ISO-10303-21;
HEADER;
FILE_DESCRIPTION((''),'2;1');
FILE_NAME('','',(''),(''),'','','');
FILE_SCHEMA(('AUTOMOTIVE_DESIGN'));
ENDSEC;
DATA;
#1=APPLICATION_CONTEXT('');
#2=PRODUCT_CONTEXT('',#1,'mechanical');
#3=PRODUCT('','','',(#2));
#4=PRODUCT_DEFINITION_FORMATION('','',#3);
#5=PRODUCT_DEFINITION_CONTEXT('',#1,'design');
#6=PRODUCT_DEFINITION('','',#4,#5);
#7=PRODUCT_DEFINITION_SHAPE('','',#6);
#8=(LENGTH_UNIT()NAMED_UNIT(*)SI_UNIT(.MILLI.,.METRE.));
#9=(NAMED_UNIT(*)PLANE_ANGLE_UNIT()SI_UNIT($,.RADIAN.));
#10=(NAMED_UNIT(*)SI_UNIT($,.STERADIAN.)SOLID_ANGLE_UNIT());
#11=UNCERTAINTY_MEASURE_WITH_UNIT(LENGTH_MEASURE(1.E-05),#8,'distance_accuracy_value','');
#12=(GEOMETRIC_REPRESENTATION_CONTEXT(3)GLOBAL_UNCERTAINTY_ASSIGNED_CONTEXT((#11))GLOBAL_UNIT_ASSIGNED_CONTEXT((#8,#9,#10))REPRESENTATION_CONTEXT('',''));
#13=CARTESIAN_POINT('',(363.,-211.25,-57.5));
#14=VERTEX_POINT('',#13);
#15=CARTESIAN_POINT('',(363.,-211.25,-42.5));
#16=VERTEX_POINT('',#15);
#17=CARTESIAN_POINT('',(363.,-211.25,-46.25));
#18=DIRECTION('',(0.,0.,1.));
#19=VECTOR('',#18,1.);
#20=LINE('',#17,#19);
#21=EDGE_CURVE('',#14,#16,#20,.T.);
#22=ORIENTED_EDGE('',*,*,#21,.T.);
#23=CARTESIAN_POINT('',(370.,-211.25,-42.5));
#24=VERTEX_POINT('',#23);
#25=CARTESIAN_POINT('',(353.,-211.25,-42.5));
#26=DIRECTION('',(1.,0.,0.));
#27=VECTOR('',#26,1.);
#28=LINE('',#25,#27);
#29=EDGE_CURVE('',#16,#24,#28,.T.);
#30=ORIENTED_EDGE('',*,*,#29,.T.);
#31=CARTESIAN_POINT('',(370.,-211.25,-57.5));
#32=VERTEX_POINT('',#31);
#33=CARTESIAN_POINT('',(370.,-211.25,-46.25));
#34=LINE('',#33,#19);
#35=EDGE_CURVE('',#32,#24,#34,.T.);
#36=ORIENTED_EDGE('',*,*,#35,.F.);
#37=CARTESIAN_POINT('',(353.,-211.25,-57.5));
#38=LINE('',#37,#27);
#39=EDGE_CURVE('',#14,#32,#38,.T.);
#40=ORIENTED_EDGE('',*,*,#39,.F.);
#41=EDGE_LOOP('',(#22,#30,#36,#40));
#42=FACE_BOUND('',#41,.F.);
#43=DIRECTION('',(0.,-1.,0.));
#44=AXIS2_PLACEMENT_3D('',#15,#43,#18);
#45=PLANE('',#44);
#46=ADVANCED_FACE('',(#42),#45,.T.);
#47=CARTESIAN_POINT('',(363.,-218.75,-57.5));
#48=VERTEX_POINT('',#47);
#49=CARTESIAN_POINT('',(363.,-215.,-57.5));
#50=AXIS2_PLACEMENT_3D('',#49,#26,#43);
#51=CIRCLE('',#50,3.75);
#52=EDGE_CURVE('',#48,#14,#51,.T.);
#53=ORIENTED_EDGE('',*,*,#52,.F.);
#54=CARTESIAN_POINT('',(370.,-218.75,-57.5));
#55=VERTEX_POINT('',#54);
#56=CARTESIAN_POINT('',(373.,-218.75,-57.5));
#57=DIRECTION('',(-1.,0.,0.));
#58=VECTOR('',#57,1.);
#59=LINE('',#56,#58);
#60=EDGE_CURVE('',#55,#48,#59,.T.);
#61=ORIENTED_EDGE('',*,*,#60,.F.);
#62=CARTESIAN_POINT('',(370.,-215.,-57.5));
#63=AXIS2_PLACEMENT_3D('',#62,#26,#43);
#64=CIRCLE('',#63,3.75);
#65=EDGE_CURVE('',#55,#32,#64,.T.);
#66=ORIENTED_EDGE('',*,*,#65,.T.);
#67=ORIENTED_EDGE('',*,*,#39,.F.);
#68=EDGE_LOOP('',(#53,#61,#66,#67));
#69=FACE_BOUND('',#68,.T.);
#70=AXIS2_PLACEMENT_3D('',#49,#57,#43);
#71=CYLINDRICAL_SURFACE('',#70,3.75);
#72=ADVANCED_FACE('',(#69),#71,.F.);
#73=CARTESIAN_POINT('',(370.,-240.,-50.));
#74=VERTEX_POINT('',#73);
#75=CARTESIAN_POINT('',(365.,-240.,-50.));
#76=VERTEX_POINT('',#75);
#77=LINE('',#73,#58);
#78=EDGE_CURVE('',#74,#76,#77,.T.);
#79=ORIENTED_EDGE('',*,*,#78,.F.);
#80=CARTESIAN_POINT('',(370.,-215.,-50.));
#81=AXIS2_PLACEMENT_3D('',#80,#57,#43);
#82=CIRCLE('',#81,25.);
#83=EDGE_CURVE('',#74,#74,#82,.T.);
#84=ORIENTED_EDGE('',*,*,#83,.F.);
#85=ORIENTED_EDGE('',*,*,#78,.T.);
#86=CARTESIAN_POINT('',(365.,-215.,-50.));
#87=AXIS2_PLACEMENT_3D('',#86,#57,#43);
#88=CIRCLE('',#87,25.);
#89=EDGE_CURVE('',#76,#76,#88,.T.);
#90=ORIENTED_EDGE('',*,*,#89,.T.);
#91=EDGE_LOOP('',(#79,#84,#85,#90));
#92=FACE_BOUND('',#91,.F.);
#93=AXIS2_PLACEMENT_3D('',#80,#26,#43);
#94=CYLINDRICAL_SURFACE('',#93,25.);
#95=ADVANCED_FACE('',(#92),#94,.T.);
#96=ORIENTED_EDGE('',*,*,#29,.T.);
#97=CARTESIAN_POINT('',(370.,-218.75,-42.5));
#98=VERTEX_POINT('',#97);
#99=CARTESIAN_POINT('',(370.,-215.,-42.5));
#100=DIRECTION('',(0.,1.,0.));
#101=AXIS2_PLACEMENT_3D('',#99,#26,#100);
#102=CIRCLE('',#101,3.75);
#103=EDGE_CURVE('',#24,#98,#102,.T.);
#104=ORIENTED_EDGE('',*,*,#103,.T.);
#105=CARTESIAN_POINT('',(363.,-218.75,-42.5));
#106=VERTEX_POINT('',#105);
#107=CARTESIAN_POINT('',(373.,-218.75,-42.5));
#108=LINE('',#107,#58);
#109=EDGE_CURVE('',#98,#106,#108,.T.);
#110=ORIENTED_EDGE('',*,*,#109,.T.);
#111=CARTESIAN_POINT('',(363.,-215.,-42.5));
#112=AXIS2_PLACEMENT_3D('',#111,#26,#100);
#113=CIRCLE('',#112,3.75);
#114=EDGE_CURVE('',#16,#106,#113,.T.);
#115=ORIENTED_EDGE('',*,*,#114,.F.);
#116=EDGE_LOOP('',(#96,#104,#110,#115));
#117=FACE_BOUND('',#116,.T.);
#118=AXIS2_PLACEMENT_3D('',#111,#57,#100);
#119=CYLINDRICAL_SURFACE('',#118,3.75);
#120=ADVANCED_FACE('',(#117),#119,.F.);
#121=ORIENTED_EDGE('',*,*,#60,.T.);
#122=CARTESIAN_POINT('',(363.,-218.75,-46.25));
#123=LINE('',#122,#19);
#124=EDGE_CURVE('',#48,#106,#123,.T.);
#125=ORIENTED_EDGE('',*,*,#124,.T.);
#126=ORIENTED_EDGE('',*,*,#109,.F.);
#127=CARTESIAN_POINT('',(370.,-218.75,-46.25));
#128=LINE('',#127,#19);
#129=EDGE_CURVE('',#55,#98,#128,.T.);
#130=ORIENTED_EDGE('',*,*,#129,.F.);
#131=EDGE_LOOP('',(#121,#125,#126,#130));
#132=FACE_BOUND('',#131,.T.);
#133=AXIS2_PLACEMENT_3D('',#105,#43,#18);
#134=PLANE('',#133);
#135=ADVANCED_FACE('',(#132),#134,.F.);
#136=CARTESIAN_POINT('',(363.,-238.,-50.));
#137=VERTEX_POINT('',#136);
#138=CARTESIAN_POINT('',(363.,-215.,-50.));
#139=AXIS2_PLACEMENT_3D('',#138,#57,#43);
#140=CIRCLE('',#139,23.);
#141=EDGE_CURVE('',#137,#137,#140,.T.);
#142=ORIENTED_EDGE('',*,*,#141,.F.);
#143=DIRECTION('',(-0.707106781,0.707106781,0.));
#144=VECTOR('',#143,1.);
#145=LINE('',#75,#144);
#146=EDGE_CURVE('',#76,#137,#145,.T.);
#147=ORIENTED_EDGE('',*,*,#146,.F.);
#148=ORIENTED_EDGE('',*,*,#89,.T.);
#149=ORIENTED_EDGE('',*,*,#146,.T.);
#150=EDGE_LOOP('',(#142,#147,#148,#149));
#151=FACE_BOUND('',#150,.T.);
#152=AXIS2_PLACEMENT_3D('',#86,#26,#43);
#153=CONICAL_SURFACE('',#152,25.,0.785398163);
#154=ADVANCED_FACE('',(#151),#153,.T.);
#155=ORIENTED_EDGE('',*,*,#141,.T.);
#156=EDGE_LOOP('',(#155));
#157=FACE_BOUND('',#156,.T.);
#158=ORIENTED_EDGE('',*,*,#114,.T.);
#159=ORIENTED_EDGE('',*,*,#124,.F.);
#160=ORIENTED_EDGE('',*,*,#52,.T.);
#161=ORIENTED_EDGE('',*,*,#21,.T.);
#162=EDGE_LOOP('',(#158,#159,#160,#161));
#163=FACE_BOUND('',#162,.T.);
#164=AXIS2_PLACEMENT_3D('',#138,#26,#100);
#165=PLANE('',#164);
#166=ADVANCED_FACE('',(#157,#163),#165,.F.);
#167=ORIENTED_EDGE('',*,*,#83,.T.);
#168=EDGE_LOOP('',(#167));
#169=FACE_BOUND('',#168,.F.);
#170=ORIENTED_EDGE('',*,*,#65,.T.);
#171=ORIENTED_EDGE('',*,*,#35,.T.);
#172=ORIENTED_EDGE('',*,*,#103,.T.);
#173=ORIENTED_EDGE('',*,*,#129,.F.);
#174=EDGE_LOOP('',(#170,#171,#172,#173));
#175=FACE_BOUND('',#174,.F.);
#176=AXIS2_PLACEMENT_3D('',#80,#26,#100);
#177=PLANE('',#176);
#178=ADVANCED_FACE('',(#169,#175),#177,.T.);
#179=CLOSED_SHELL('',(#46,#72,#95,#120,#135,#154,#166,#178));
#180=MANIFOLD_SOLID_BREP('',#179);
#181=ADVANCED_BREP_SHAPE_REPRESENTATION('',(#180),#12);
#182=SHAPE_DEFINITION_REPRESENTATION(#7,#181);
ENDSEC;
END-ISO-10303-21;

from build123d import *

# Parameters (mm, degrees)
EXTRUDE020_DEPTH         = 10
CIRCLE002_R              = 25
EXTRUDE019_DEPTH         = 7
CHAMFER002_SIZE          = 2
CLONE032_PLACEMENT_ANGLE = 90


with BuildPart() as extrude020:
    # Sketch030 (on Face4 of Chamfer002) → Extrude020 (new body, symmetric)
    with BuildSketch(Plane(origin=(0, 7, 0), x_dir=(-1, 0, 0), z_dir=(0, 1, 0))):
        with BuildLine():
            ThreePointArc((3.75, 7.5), (0, 11.25), (-3.75, 7.5))
            Line((-3.75, 7.5), (-3.75, -7.5))
            ThreePointArc((-3.75, -7.5), (0, -11.25), (3.75, -7.5))
            Line((3.75, 7.5), (3.75, -7.5))
        make_face()
    extrude(amount=EXTRUDE020_DEPTH, both=True)


with BuildPart() as lock_righ_internal:
    # Circle002 → Extrude019 (new body)
    with BuildSketch(Plane.XZ):
        Circle(CIRCLE002_R)
    extrude(amount=-EXTRUDE019_DEPTH)

    # Chamfer002
    chamfer002_edges = [lock_righ_internal.edges().sort_by_distance(p)[0] for p in [
        (-25, 7, 0),
    ]]
    chamfer(chamfer002_edges, length=CHAMFER002_SIZE)

    # Cut004: cut Extrude020
    add(extrude020.part, mode=Mode.SUBTRACT)


with BuildPart() as lock_righ_internal_1:
    # Cut004 placement: moved
    add(lock_righ_internal.part.moved(Location((0, 0, -83.343755))))


with BuildPart() as lock_righ_internal_2:
    # Clone032 placement: moved
    add(lock_righ_internal_1.part.moved(Location((-370, -215, 33.343755))).rotate(Axis((-370, -215, 33.343755), (0, 0, -1)), CLONE032_PLACEMENT_ANGLE))


with BuildPart() as mirror171:
    # Mirror171: instance of Lock_righ_internal_
    add(lock_righ_internal_2.part.mirror(Plane(origin=(0, 0, 0), x_dir=(0, -1, 0), z_dir=(1, 0, 0))))


solid = mirror171.part
